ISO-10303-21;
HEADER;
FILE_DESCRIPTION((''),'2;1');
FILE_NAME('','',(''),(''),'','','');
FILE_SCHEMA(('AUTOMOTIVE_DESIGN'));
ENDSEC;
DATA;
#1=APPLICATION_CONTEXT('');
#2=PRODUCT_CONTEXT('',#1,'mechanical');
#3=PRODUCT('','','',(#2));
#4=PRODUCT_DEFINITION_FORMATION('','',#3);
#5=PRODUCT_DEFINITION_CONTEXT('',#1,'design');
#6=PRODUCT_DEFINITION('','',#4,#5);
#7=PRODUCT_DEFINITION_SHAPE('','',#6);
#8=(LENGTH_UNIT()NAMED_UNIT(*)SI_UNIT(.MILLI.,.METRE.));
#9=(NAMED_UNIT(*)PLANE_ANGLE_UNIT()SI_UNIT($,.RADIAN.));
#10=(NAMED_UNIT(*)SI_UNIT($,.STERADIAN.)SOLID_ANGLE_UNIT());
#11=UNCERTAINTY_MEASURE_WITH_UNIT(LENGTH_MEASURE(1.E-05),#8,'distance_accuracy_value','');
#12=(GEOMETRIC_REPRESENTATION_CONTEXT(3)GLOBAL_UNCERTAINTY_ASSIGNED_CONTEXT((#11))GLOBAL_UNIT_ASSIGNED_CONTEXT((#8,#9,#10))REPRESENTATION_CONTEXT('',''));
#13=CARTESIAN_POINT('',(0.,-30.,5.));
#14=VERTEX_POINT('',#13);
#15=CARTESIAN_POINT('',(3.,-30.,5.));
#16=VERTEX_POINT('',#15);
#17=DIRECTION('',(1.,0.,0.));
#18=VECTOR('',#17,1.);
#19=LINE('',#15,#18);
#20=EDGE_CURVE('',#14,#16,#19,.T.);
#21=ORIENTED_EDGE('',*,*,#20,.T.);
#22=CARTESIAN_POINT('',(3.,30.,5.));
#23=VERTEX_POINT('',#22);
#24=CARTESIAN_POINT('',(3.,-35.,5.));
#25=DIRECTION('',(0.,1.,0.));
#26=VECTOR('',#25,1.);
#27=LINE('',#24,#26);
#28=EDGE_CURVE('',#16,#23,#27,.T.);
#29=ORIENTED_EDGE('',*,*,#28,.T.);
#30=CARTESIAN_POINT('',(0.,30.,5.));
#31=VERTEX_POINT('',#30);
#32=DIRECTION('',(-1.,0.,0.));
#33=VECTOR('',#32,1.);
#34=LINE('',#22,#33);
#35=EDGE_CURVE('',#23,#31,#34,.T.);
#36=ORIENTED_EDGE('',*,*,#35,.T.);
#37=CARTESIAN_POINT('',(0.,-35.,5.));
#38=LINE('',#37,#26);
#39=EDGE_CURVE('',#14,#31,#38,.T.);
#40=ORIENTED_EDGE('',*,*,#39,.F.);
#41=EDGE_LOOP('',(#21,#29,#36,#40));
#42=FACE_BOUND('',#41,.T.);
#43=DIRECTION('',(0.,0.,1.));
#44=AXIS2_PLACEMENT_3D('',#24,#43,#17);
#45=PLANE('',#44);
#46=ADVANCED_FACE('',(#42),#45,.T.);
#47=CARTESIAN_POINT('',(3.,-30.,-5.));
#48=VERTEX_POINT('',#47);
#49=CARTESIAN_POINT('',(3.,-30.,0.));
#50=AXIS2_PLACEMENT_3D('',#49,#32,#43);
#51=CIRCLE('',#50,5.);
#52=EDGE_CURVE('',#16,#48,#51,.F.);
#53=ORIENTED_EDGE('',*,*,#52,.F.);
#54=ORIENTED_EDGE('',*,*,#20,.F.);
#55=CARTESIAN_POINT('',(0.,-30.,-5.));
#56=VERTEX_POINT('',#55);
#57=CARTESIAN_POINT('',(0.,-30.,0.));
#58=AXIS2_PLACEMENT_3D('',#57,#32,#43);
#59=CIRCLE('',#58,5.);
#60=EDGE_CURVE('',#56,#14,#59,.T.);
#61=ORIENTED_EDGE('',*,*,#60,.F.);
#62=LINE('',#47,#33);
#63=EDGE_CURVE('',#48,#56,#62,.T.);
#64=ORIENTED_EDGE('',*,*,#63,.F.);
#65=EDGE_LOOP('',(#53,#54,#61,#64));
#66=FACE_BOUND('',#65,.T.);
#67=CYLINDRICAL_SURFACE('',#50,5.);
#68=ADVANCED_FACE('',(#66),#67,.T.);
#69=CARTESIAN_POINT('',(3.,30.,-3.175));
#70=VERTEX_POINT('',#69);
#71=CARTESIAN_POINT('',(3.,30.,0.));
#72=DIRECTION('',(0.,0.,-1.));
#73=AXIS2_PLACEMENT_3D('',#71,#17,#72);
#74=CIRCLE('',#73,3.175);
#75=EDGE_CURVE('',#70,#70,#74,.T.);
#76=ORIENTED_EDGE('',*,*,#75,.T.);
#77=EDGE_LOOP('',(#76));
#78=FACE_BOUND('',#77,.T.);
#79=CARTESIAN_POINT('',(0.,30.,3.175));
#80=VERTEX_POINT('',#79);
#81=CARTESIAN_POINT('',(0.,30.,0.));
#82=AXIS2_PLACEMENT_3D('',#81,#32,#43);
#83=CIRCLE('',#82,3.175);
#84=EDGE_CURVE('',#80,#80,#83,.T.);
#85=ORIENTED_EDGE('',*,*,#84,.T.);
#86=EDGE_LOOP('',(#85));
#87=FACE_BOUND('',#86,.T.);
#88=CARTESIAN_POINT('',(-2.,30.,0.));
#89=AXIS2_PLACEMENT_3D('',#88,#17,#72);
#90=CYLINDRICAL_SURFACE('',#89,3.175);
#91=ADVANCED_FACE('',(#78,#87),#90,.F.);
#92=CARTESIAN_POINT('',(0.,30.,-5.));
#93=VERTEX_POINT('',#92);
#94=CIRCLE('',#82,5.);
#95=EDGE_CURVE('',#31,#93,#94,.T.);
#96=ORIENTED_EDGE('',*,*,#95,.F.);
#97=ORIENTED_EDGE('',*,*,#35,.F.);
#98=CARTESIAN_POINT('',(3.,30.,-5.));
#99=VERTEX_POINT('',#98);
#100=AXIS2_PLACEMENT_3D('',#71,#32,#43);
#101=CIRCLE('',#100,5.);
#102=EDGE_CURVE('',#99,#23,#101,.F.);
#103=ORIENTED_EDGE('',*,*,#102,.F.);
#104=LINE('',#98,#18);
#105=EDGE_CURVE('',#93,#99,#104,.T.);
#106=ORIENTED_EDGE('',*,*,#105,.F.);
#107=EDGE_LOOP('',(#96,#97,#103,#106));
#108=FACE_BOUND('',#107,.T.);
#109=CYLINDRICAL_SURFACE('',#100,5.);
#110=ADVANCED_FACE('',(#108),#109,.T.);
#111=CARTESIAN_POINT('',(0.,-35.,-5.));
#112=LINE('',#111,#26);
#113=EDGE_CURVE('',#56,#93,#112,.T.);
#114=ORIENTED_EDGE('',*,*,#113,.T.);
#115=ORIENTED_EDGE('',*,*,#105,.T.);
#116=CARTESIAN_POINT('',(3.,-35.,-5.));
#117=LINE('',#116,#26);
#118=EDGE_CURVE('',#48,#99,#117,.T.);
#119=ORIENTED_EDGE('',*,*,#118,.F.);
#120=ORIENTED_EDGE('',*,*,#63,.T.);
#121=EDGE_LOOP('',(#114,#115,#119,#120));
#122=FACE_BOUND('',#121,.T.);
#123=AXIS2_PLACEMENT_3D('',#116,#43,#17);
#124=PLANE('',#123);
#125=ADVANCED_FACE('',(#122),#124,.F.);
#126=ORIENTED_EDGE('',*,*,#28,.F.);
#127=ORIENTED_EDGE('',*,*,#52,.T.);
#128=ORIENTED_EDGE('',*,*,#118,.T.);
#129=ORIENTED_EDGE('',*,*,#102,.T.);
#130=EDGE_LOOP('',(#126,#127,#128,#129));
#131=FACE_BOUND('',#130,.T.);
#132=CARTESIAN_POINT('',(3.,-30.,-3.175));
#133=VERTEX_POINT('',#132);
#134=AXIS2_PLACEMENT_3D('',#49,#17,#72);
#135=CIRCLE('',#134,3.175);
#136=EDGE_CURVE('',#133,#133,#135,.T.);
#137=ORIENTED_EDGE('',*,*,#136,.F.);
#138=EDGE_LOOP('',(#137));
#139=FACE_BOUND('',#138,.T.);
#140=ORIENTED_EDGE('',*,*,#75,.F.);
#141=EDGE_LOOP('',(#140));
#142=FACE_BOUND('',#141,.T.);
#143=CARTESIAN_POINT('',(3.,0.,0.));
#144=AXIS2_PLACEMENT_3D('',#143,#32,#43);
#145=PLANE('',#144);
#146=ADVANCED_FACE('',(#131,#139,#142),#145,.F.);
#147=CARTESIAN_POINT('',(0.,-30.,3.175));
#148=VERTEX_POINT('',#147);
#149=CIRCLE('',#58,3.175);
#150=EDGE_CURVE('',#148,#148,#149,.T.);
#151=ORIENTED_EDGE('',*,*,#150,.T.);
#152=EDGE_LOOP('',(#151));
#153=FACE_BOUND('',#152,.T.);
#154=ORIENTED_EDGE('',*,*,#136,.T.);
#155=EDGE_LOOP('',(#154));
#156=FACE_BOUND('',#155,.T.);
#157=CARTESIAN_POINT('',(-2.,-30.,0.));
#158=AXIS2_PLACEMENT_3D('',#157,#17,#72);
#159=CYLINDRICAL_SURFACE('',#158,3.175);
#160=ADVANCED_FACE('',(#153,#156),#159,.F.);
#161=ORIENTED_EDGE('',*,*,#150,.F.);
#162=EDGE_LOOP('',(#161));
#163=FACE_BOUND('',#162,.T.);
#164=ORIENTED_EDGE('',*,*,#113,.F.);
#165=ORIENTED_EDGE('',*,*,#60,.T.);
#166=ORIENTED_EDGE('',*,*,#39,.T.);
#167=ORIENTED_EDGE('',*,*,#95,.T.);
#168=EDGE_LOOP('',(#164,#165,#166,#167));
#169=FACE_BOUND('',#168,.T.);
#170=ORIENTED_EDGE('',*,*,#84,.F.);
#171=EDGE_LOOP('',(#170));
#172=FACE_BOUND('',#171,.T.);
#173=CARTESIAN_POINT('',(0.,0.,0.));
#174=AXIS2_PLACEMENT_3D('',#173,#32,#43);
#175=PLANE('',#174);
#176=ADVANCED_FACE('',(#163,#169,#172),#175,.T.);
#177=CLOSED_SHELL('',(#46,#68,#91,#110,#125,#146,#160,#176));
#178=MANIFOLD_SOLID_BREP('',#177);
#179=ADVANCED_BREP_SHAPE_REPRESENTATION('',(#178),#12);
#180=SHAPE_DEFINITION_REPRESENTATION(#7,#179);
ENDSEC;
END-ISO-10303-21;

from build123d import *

# Parameters (mm, degrees)
SKETCH3_W           = 10
SKETCH3_H           = 70
BOSS_EXTRUDE1_DEPTH = 3
SKETCH4_R           = 3.175
CUT_EXTRUDE1_DEPTH  = 5
FILLET2_RADIUS      = 5
FILLET2_LENGTH      = 3
FILLET3_RADIUS      = 5
FILLET3_LENGTH      = 3


with BuildPart() as part:
    # Sketch3 → Boss-Extrude1 (new body)
    with BuildSketch(Plane(origin=(0, 0, 0), x_dir=(0, 0, -1), z_dir=(1, 0, 0))):
        Rectangle(SKETCH3_W, SKETCH3_H)
    extrude(amount=BOSS_EXTRUDE1_DEPTH)

    # Sketch4 → Cut-Extrude1 (cut)
    with BuildSketch(Plane(origin=(3, 0, 0), x_dir=(0, 0, -1), z_dir=(1, 0, 0))):
        with Locations((0, 30)):
            Circle(SKETCH4_R)
        with Locations((0, -30)):
            Circle(SKETCH4_R)
    extrude(amount=-CUT_EXTRUDE1_DEPTH, mode=Mode.SUBTRACT)

    # Fillet2: full round fillet: the end face becomes a half cylinder, R = half its width
    fillet2_face = Plane((1.5, 35, 0), x_dir=(-1, 0, 0), z_dir=(0, 1, 0))  # on the end face: x along it, z out of the body
    fillet2_slab = fillet2_face.offset(-FILLET2_RADIUS / 2) * Box(FILLET2_LENGTH, 2 * FILLET2_RADIUS, FILLET2_RADIUS, mode=Mode.PRIVATE)  # the body's end, R deep
    fillet2_round = Plane((1.5, 30, 0), x_dir=(0, 1, 0), z_dir=(-1, 0, 0)) * Cylinder(FILLET2_RADIUS, FILLET2_LENGTH, mode=Mode.PRIVATE)  # its axis R under the face
    add(fillet2_slab - fillet2_round, mode=Mode.SUBTRACT)

    # Fillet3: full round fillet: the end face becomes a half cylinder, R = half its width
    fillet3_face = Plane((1.5, -35, 0), x_dir=(-1, 0, 0), z_dir=(0, -1, 0))  # on the end face: x along it, z out of the body
    fillet3_slab = fillet3_face.offset(-FILLET3_RADIUS / 2) * Box(FILLET3_LENGTH, 2 * FILLET3_RADIUS, FILLET3_RADIUS, mode=Mode.PRIVATE)  # the body's end, R deep
    fillet3_round = Plane((1.5, -30, 0), x_dir=(0, -1, 0), z_dir=(-1, 0, 0)) * Cylinder(FILLET3_RADIUS, FILLET3_LENGTH, mode=Mode.PRIVATE)  # its axis R under the face
    add(fillet3_slab - fillet3_round, mode=Mode.SUBTRACT)


solid = part.part
